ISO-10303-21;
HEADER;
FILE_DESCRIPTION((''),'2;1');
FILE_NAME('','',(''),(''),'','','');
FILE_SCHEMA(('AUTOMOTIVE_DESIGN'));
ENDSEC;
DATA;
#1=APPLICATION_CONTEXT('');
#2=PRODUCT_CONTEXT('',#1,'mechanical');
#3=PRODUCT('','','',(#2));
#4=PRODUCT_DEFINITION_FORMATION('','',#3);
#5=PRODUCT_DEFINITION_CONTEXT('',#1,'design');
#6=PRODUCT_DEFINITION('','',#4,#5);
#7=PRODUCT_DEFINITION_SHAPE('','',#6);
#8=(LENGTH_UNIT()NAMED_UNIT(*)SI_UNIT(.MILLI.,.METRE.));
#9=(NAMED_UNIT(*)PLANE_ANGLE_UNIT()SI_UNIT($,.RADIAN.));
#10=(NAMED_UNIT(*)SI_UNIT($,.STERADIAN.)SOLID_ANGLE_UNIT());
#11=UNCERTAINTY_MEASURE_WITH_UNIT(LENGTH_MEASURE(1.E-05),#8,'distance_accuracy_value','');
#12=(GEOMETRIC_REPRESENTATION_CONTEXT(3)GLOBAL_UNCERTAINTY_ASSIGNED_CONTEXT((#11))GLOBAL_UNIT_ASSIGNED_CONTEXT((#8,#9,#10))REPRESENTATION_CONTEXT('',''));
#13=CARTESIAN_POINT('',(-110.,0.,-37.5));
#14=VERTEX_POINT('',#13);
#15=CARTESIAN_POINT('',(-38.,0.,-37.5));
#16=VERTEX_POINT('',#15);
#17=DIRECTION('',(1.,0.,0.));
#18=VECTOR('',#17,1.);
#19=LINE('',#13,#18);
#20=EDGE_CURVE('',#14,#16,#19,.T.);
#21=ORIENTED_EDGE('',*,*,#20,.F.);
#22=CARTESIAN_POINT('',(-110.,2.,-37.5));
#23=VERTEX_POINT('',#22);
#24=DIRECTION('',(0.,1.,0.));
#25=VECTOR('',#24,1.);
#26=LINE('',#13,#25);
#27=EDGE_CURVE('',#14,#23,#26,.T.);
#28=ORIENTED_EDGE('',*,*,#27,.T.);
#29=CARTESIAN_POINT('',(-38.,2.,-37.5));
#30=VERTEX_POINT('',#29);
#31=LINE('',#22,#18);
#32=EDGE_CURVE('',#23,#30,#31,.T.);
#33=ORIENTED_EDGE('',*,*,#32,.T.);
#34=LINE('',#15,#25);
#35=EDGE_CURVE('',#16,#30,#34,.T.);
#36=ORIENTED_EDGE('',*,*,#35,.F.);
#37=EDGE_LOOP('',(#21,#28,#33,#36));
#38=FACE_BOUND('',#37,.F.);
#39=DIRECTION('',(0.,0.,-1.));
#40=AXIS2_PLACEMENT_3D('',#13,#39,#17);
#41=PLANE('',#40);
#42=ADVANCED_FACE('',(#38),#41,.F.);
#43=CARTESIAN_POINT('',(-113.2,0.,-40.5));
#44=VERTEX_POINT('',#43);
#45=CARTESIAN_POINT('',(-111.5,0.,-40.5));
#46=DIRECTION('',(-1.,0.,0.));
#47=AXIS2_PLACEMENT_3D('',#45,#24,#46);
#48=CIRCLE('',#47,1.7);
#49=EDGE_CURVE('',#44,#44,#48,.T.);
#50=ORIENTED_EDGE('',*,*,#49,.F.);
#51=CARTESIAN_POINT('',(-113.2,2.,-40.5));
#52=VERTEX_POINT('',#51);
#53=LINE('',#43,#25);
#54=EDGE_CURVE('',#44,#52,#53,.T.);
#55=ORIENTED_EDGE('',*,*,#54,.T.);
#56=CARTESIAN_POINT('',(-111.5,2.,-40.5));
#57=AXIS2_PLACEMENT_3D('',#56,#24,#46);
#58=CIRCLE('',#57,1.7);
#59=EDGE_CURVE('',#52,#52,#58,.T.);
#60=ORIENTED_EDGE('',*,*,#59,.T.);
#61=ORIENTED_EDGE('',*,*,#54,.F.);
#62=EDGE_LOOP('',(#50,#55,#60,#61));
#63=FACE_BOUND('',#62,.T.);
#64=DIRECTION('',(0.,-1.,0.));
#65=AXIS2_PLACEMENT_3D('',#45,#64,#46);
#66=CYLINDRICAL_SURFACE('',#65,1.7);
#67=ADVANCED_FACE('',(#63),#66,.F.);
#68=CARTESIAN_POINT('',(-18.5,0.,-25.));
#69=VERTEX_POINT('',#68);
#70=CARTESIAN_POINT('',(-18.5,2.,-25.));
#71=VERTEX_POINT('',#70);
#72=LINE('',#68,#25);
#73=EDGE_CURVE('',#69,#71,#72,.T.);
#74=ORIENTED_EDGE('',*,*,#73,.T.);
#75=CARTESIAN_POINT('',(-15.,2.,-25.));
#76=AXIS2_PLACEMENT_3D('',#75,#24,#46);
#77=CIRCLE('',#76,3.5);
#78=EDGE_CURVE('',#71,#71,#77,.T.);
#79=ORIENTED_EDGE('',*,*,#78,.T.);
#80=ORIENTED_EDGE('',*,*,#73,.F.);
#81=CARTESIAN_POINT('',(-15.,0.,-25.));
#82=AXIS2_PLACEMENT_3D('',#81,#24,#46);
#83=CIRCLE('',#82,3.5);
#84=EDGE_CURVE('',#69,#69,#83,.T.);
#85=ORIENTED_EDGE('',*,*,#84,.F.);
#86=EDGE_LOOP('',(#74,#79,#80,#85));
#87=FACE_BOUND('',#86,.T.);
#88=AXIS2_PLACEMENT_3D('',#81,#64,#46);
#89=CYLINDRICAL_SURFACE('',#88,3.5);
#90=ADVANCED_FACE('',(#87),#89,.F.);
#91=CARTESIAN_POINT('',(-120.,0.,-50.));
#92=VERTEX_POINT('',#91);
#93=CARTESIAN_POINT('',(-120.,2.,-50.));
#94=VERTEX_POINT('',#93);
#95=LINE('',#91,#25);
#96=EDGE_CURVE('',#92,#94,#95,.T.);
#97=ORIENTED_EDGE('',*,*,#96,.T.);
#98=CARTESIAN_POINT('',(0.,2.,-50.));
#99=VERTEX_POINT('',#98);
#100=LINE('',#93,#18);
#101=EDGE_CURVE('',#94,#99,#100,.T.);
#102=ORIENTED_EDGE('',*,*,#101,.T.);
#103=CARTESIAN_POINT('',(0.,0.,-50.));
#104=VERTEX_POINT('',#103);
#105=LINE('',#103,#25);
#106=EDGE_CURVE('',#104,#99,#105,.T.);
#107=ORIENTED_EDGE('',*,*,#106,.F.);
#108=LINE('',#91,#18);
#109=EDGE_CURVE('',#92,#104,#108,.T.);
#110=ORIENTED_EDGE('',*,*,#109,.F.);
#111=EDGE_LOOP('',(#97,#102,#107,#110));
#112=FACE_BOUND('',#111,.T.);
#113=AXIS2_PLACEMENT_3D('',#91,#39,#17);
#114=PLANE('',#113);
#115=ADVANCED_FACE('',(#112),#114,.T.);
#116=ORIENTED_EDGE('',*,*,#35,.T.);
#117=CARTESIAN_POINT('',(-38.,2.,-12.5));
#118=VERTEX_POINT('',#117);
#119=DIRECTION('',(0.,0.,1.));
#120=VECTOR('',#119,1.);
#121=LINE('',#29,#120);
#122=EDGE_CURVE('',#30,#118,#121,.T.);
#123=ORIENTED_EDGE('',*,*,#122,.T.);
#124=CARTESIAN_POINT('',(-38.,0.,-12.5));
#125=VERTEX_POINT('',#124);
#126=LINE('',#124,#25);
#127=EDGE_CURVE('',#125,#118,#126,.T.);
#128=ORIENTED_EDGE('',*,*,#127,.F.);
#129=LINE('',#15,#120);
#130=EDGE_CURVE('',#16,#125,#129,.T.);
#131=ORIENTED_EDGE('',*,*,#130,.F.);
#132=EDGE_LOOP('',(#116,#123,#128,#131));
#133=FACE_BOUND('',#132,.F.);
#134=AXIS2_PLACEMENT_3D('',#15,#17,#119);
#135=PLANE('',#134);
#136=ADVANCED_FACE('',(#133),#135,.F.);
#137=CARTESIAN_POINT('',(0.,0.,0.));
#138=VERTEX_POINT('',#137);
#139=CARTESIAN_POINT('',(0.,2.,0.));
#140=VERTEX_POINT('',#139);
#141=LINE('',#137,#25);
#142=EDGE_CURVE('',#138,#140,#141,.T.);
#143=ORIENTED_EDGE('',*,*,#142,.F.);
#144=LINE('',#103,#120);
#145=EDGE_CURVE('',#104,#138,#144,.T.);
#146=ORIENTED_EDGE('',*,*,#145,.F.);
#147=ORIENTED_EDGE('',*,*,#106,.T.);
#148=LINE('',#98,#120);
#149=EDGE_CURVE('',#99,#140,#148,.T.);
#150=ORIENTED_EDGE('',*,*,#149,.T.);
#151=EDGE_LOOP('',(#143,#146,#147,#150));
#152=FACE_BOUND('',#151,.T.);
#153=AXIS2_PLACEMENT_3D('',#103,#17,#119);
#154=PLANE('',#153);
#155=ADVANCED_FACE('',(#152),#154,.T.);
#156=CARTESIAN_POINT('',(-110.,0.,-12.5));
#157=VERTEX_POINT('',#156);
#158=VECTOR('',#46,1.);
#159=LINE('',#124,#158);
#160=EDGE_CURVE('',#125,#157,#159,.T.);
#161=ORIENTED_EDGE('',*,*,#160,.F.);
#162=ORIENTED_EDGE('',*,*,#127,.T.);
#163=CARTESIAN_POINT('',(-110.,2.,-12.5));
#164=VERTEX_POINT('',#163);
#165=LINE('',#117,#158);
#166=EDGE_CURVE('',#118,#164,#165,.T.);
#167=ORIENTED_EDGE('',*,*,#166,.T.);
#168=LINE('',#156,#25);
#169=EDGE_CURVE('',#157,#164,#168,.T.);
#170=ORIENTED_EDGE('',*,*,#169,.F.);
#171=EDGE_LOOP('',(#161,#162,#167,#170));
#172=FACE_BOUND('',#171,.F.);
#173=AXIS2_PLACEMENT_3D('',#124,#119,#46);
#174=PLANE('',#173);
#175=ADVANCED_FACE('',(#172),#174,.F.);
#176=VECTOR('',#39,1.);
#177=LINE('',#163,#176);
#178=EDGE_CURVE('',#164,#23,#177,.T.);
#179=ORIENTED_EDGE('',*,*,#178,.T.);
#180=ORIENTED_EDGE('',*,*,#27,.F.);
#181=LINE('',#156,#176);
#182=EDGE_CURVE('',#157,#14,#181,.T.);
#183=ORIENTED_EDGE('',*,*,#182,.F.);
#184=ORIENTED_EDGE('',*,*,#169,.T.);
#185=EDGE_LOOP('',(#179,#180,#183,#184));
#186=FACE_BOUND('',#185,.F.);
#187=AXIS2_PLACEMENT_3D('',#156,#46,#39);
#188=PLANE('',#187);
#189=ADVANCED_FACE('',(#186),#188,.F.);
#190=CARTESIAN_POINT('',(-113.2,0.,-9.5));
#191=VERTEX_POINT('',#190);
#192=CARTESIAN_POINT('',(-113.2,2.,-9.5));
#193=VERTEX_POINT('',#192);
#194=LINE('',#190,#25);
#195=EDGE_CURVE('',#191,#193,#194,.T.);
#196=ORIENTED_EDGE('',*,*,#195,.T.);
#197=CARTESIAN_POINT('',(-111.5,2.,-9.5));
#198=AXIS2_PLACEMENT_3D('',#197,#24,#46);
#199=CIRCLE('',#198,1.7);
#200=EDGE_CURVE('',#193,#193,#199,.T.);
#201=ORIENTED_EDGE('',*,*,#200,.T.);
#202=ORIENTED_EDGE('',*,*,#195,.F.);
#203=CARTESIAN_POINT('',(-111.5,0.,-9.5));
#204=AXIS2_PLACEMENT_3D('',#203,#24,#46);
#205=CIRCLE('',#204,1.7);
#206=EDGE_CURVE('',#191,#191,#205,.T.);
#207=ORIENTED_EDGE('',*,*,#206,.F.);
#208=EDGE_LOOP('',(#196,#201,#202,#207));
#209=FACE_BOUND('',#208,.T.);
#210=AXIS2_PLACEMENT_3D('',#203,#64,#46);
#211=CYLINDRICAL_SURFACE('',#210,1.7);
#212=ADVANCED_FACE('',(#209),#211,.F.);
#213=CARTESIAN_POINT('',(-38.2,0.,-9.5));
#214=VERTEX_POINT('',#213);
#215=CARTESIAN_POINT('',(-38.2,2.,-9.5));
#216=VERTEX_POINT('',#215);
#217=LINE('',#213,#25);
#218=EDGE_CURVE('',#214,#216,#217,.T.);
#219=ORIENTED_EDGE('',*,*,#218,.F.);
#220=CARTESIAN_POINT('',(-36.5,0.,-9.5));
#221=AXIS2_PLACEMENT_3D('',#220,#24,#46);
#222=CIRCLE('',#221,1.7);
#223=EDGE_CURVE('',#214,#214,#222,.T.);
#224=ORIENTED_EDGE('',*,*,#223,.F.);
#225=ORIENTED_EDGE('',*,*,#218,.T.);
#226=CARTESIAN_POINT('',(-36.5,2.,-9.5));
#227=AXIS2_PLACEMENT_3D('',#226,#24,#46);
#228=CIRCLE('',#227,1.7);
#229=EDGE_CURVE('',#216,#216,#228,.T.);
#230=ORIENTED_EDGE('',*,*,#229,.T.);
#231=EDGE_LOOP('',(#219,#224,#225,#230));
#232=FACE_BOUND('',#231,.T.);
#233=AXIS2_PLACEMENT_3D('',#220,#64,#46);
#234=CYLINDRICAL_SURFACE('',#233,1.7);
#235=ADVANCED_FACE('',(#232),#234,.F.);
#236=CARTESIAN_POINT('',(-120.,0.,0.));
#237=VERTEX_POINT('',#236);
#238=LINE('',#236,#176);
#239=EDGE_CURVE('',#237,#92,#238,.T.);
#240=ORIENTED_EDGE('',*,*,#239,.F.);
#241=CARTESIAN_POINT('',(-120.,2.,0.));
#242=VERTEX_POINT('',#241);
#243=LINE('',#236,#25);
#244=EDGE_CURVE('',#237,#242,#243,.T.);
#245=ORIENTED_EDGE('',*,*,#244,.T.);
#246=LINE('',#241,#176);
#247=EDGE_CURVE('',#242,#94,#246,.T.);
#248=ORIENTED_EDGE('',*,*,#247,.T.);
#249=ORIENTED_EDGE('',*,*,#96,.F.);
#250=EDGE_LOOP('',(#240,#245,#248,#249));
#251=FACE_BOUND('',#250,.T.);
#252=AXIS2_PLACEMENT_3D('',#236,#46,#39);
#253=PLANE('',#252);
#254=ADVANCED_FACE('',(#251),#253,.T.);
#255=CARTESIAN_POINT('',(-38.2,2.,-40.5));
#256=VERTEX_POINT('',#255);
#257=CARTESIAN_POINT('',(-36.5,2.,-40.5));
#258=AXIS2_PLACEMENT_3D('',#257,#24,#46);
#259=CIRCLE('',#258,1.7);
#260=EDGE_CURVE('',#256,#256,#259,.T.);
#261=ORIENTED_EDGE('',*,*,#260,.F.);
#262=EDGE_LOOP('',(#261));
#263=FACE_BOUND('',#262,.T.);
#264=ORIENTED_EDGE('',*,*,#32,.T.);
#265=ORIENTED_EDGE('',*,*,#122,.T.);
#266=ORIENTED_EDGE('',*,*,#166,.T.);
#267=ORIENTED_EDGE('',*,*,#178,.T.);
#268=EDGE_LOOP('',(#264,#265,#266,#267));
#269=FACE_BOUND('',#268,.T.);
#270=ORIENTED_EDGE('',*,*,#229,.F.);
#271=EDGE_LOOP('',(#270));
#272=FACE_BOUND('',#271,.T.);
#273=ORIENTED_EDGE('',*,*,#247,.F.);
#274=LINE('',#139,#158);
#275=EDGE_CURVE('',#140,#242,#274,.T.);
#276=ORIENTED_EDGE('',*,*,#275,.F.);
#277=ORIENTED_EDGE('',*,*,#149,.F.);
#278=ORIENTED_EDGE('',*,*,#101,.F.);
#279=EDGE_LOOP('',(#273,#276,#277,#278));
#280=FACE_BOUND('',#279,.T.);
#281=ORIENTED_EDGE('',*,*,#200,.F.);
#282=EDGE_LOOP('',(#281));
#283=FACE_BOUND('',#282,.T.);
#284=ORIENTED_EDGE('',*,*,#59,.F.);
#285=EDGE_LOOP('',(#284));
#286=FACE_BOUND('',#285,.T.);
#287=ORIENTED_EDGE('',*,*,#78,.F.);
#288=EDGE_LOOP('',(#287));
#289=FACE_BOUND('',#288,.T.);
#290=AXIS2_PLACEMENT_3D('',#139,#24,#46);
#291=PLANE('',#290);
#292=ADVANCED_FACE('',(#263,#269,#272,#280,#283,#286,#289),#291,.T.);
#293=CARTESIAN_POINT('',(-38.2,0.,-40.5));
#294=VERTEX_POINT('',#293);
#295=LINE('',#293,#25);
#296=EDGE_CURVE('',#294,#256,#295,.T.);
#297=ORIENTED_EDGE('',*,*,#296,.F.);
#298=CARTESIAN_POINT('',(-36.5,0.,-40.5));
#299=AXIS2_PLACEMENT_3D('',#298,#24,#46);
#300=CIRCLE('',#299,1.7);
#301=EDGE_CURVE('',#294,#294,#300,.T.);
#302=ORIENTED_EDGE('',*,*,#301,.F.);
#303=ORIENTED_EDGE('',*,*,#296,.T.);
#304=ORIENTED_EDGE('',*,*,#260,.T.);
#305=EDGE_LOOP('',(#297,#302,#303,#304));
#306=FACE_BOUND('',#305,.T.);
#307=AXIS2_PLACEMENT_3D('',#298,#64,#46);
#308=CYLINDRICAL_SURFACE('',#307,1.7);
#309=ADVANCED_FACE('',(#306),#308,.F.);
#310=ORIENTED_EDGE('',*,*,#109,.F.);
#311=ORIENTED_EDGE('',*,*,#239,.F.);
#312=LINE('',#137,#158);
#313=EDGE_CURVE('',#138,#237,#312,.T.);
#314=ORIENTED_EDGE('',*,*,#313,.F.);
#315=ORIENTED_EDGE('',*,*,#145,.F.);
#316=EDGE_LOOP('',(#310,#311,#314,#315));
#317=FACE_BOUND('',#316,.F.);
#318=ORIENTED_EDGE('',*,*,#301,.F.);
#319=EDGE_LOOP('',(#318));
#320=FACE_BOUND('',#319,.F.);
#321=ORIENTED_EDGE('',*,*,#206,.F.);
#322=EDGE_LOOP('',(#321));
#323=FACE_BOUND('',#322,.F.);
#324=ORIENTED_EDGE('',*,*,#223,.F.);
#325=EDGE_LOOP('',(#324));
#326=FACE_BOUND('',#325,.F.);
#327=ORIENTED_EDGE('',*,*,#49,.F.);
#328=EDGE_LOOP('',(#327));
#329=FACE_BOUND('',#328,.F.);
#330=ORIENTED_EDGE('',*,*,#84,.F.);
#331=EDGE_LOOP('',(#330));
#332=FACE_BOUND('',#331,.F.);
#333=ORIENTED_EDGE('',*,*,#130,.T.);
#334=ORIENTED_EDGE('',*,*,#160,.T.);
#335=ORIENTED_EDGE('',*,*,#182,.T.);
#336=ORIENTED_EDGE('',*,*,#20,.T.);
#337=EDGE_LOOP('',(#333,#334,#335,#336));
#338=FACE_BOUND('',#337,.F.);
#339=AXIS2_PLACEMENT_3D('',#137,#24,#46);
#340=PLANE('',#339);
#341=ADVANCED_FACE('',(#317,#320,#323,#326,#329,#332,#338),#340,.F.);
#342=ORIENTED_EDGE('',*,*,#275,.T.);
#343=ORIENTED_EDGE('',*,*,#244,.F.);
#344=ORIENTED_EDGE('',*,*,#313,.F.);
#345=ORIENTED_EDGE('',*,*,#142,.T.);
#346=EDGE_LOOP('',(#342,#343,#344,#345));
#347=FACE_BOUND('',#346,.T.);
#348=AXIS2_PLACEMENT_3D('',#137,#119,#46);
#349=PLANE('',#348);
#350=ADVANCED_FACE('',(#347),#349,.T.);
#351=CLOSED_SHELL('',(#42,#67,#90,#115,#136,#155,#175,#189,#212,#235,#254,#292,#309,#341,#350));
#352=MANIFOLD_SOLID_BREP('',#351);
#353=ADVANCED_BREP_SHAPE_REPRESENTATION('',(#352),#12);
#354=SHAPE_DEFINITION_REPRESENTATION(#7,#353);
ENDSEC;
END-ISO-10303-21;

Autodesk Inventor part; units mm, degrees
ref_plane "YZ Plane" through (0, 0, 0) normal (1, 0, 0) x (0, 1, 0)
ref_plane "XZ Plane" through (0, 0, 0) normal (0, 1, 0) x (-1, 0, 0)
ref_plane "XY Plane" through (0, 0, 0) normal (0, 0, 1) x (1, 0, 0)
sketch "Skizze1" plane through (0, 0, 0) normal (0, 1, 0) x (-1, 0, 0)
  line L0 (0, 0) -> (120, 0)
  line L1 (120, 0) -> (120, -50)
  line L2 (120, -50) -> (0, -50)
  line L3 (0, -50) -> (0, 0)
  line L4 (110, -37.5) -> (38, -37.5)
  line L5 (38, -37.5) -> (38, -12.5)
  line L6 (38, -12.5) -> (110, -12.5)
  line L7 (110, -12.5) -> (110, -37.5)
  line L8 (114, -43) -> (34, -43)
  line L9 (34, -43) -> (34, -7)
  line L10 (34, -7) -> (114, -7)
  line L11 (114, -7) -> (114, -43)
  circle A0 centre (111.5, -40.5) radius 1.7
  circle A1 centre (36.5, -40.5) radius 1.7
  circle A2 centre (111.5, -9.5) radius 1.7
  circle A3 centre (36.5, -9.5) radius 1.7
  circle A4 centre (15, -25) radius 3.5
  dimension "d0" = 120
  dimension "d1" = 50
  dimension "d2" = 72
  dimension "d3" = 25
  dimension "d4" = 80
  dimension "d5" = 36
  dimension "d6" = 5.5
  dimension "d7" = 5.5
  dimension "d8" = 4
  dimension "d9" = 4
  dimension "d10" = 3.4
  dimension "d11" = 3.4
  dimension "d12" = 75
  dimension "d13" = 2.5
  dimension "d14" = 2.5
  dimension "d15" = 3.4
  dimension "d16" = 3.4
  dimension "d17" = 2.5
  dimension "d18" = 2.5
  dimension "d19" = 31
  dimension "d20" = 2.5
  dimension "d21" = 2.5
  dimension "d22" = 2.5
  dimension "d23" = 7
  dimension "d24" = 7
  dimension "d25" = 15
  dimension "d26" = 6
extrude "Extrusion1" add sketch "Skizze1" along normal blind 2 contours L0 L1 L2 L3 | L8 L9 L10 L11
equation "\"d10\" = d15"
equation "\"d11\" = d15"
equation "\"d16\" = d15"
equation "\"Biegeradius\" = Stärke"
equation "\"BreiteBiegungsfreistellung\" = Stärke"
equation "\"TiefeBiegungsfreistellung\" = 0.5 * Stärke"
equation "\"GrößeEckenfreistellung\" = 4 * Stärke"
equation "\"MinimalRest\" = 2 * Stärke"
equation "\"Übergangsradius\" = Biegeradius"
equation "\"JacobiRadiusGröße\" = Biegeradius"
equation "\"Abstandsgröße\" = Stärke"
equation "\"Stärke\" = 0.5"
properties part number "Bedienfeld"
